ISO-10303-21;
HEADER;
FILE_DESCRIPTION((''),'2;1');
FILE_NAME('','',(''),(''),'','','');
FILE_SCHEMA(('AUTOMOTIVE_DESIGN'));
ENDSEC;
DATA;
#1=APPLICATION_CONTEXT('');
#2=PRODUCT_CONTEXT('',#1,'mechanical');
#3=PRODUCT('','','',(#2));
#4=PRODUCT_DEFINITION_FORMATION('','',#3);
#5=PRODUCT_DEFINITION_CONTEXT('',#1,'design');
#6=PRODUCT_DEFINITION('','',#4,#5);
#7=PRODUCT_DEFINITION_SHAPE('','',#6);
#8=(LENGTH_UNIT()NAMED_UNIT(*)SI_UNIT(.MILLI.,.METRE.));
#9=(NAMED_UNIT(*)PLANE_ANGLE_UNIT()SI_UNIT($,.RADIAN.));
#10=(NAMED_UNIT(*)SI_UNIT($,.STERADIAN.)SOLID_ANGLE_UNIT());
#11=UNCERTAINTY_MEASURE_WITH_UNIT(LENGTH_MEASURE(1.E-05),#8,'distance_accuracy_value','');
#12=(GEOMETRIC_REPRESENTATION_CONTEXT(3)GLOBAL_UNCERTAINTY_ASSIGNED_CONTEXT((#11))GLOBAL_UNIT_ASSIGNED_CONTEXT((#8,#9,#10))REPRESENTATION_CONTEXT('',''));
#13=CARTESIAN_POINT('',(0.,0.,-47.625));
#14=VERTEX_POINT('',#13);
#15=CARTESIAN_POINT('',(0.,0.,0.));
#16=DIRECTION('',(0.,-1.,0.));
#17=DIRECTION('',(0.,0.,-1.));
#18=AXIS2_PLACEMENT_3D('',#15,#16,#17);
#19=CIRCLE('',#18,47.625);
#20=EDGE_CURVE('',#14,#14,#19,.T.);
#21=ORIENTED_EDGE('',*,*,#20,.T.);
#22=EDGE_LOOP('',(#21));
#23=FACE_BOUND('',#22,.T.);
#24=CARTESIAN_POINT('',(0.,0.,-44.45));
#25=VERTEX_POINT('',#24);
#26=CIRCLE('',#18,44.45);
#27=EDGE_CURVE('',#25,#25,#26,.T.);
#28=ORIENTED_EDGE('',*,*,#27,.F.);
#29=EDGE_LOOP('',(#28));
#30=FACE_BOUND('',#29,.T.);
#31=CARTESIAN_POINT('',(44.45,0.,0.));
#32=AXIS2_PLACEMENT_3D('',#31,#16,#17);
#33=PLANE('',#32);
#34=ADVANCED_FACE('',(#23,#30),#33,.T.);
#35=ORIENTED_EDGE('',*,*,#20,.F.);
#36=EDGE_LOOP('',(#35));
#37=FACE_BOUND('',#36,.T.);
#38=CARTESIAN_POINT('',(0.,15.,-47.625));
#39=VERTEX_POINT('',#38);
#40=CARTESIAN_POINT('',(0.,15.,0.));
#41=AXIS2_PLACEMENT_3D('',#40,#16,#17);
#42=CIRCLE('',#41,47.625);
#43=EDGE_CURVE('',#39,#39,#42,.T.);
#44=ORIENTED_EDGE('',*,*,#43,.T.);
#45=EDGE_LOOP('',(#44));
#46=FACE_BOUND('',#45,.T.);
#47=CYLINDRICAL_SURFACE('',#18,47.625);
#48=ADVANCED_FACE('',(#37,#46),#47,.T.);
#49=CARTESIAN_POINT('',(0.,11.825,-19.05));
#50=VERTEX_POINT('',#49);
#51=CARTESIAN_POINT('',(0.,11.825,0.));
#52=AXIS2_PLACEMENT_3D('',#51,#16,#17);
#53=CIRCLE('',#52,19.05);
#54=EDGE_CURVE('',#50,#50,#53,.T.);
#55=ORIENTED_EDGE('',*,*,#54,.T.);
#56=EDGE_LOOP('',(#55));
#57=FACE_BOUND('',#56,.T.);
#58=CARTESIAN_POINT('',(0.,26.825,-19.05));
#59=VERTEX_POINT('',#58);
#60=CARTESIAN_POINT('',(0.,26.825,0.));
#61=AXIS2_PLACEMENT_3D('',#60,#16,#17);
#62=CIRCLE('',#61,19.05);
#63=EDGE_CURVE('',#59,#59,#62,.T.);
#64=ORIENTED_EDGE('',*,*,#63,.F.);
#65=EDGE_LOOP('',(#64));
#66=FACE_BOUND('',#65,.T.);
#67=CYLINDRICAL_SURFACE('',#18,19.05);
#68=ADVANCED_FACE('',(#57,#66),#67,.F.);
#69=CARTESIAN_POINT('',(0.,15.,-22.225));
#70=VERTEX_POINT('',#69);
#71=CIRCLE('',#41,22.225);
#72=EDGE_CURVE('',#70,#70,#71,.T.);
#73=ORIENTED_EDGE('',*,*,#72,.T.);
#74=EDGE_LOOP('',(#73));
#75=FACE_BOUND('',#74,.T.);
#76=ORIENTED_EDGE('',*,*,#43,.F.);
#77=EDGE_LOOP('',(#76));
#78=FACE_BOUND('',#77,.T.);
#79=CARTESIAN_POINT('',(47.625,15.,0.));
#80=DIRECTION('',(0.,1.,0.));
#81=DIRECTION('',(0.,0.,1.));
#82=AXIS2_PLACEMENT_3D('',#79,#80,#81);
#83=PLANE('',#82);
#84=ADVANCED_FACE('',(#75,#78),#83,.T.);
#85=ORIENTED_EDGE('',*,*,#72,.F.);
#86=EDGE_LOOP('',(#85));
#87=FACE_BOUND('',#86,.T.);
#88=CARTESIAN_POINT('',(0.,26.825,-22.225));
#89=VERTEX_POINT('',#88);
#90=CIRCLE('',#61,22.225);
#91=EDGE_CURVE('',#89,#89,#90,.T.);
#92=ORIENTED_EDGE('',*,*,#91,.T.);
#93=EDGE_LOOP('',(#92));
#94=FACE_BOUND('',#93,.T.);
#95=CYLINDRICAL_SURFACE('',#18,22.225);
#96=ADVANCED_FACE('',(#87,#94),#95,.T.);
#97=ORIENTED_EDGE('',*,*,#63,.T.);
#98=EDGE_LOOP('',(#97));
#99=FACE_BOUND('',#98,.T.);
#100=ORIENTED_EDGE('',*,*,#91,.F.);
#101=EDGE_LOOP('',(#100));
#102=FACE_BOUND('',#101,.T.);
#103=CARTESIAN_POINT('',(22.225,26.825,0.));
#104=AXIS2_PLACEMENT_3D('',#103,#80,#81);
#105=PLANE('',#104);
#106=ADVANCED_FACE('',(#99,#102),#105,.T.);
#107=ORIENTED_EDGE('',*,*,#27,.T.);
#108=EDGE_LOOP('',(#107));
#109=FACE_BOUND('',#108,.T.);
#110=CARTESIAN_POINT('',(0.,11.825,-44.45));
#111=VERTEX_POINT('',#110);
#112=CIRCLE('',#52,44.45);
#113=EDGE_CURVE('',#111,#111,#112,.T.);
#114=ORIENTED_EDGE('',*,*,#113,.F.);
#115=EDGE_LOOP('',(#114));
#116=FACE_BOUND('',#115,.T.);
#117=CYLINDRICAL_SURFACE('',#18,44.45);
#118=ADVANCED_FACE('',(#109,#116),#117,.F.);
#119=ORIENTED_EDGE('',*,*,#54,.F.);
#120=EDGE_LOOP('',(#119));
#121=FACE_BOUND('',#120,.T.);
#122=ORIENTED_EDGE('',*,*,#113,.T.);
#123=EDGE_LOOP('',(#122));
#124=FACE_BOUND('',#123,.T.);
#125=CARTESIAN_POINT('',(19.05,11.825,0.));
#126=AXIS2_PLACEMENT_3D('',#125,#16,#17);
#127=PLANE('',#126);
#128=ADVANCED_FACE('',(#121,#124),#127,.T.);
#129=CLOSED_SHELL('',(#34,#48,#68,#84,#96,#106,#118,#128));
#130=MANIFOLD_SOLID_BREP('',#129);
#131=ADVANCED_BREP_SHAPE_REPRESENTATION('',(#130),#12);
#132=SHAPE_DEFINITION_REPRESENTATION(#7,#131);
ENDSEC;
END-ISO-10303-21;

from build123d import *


with BuildPart() as part:
    # Sketch1 → Revolve1 (revolve)
    with BuildSketch(Plane.XY, mode=Mode.PRIVATE) as revolve1_sk:
        Polygon((19.05, 26.825), (19.05, 11.825), (44.45, 11.825), (44.45, 0), (47.625, 0), (47.625, 15), (22.225, 15), (22.225, 26.825), align=None)
    revolve(revolve1_sk.sketch.rotate(Axis((0, 0, 0), (0, 1, 0)), 90), axis=Axis((0, 0, 0), (0, 1, 0)))


solid = part.part
